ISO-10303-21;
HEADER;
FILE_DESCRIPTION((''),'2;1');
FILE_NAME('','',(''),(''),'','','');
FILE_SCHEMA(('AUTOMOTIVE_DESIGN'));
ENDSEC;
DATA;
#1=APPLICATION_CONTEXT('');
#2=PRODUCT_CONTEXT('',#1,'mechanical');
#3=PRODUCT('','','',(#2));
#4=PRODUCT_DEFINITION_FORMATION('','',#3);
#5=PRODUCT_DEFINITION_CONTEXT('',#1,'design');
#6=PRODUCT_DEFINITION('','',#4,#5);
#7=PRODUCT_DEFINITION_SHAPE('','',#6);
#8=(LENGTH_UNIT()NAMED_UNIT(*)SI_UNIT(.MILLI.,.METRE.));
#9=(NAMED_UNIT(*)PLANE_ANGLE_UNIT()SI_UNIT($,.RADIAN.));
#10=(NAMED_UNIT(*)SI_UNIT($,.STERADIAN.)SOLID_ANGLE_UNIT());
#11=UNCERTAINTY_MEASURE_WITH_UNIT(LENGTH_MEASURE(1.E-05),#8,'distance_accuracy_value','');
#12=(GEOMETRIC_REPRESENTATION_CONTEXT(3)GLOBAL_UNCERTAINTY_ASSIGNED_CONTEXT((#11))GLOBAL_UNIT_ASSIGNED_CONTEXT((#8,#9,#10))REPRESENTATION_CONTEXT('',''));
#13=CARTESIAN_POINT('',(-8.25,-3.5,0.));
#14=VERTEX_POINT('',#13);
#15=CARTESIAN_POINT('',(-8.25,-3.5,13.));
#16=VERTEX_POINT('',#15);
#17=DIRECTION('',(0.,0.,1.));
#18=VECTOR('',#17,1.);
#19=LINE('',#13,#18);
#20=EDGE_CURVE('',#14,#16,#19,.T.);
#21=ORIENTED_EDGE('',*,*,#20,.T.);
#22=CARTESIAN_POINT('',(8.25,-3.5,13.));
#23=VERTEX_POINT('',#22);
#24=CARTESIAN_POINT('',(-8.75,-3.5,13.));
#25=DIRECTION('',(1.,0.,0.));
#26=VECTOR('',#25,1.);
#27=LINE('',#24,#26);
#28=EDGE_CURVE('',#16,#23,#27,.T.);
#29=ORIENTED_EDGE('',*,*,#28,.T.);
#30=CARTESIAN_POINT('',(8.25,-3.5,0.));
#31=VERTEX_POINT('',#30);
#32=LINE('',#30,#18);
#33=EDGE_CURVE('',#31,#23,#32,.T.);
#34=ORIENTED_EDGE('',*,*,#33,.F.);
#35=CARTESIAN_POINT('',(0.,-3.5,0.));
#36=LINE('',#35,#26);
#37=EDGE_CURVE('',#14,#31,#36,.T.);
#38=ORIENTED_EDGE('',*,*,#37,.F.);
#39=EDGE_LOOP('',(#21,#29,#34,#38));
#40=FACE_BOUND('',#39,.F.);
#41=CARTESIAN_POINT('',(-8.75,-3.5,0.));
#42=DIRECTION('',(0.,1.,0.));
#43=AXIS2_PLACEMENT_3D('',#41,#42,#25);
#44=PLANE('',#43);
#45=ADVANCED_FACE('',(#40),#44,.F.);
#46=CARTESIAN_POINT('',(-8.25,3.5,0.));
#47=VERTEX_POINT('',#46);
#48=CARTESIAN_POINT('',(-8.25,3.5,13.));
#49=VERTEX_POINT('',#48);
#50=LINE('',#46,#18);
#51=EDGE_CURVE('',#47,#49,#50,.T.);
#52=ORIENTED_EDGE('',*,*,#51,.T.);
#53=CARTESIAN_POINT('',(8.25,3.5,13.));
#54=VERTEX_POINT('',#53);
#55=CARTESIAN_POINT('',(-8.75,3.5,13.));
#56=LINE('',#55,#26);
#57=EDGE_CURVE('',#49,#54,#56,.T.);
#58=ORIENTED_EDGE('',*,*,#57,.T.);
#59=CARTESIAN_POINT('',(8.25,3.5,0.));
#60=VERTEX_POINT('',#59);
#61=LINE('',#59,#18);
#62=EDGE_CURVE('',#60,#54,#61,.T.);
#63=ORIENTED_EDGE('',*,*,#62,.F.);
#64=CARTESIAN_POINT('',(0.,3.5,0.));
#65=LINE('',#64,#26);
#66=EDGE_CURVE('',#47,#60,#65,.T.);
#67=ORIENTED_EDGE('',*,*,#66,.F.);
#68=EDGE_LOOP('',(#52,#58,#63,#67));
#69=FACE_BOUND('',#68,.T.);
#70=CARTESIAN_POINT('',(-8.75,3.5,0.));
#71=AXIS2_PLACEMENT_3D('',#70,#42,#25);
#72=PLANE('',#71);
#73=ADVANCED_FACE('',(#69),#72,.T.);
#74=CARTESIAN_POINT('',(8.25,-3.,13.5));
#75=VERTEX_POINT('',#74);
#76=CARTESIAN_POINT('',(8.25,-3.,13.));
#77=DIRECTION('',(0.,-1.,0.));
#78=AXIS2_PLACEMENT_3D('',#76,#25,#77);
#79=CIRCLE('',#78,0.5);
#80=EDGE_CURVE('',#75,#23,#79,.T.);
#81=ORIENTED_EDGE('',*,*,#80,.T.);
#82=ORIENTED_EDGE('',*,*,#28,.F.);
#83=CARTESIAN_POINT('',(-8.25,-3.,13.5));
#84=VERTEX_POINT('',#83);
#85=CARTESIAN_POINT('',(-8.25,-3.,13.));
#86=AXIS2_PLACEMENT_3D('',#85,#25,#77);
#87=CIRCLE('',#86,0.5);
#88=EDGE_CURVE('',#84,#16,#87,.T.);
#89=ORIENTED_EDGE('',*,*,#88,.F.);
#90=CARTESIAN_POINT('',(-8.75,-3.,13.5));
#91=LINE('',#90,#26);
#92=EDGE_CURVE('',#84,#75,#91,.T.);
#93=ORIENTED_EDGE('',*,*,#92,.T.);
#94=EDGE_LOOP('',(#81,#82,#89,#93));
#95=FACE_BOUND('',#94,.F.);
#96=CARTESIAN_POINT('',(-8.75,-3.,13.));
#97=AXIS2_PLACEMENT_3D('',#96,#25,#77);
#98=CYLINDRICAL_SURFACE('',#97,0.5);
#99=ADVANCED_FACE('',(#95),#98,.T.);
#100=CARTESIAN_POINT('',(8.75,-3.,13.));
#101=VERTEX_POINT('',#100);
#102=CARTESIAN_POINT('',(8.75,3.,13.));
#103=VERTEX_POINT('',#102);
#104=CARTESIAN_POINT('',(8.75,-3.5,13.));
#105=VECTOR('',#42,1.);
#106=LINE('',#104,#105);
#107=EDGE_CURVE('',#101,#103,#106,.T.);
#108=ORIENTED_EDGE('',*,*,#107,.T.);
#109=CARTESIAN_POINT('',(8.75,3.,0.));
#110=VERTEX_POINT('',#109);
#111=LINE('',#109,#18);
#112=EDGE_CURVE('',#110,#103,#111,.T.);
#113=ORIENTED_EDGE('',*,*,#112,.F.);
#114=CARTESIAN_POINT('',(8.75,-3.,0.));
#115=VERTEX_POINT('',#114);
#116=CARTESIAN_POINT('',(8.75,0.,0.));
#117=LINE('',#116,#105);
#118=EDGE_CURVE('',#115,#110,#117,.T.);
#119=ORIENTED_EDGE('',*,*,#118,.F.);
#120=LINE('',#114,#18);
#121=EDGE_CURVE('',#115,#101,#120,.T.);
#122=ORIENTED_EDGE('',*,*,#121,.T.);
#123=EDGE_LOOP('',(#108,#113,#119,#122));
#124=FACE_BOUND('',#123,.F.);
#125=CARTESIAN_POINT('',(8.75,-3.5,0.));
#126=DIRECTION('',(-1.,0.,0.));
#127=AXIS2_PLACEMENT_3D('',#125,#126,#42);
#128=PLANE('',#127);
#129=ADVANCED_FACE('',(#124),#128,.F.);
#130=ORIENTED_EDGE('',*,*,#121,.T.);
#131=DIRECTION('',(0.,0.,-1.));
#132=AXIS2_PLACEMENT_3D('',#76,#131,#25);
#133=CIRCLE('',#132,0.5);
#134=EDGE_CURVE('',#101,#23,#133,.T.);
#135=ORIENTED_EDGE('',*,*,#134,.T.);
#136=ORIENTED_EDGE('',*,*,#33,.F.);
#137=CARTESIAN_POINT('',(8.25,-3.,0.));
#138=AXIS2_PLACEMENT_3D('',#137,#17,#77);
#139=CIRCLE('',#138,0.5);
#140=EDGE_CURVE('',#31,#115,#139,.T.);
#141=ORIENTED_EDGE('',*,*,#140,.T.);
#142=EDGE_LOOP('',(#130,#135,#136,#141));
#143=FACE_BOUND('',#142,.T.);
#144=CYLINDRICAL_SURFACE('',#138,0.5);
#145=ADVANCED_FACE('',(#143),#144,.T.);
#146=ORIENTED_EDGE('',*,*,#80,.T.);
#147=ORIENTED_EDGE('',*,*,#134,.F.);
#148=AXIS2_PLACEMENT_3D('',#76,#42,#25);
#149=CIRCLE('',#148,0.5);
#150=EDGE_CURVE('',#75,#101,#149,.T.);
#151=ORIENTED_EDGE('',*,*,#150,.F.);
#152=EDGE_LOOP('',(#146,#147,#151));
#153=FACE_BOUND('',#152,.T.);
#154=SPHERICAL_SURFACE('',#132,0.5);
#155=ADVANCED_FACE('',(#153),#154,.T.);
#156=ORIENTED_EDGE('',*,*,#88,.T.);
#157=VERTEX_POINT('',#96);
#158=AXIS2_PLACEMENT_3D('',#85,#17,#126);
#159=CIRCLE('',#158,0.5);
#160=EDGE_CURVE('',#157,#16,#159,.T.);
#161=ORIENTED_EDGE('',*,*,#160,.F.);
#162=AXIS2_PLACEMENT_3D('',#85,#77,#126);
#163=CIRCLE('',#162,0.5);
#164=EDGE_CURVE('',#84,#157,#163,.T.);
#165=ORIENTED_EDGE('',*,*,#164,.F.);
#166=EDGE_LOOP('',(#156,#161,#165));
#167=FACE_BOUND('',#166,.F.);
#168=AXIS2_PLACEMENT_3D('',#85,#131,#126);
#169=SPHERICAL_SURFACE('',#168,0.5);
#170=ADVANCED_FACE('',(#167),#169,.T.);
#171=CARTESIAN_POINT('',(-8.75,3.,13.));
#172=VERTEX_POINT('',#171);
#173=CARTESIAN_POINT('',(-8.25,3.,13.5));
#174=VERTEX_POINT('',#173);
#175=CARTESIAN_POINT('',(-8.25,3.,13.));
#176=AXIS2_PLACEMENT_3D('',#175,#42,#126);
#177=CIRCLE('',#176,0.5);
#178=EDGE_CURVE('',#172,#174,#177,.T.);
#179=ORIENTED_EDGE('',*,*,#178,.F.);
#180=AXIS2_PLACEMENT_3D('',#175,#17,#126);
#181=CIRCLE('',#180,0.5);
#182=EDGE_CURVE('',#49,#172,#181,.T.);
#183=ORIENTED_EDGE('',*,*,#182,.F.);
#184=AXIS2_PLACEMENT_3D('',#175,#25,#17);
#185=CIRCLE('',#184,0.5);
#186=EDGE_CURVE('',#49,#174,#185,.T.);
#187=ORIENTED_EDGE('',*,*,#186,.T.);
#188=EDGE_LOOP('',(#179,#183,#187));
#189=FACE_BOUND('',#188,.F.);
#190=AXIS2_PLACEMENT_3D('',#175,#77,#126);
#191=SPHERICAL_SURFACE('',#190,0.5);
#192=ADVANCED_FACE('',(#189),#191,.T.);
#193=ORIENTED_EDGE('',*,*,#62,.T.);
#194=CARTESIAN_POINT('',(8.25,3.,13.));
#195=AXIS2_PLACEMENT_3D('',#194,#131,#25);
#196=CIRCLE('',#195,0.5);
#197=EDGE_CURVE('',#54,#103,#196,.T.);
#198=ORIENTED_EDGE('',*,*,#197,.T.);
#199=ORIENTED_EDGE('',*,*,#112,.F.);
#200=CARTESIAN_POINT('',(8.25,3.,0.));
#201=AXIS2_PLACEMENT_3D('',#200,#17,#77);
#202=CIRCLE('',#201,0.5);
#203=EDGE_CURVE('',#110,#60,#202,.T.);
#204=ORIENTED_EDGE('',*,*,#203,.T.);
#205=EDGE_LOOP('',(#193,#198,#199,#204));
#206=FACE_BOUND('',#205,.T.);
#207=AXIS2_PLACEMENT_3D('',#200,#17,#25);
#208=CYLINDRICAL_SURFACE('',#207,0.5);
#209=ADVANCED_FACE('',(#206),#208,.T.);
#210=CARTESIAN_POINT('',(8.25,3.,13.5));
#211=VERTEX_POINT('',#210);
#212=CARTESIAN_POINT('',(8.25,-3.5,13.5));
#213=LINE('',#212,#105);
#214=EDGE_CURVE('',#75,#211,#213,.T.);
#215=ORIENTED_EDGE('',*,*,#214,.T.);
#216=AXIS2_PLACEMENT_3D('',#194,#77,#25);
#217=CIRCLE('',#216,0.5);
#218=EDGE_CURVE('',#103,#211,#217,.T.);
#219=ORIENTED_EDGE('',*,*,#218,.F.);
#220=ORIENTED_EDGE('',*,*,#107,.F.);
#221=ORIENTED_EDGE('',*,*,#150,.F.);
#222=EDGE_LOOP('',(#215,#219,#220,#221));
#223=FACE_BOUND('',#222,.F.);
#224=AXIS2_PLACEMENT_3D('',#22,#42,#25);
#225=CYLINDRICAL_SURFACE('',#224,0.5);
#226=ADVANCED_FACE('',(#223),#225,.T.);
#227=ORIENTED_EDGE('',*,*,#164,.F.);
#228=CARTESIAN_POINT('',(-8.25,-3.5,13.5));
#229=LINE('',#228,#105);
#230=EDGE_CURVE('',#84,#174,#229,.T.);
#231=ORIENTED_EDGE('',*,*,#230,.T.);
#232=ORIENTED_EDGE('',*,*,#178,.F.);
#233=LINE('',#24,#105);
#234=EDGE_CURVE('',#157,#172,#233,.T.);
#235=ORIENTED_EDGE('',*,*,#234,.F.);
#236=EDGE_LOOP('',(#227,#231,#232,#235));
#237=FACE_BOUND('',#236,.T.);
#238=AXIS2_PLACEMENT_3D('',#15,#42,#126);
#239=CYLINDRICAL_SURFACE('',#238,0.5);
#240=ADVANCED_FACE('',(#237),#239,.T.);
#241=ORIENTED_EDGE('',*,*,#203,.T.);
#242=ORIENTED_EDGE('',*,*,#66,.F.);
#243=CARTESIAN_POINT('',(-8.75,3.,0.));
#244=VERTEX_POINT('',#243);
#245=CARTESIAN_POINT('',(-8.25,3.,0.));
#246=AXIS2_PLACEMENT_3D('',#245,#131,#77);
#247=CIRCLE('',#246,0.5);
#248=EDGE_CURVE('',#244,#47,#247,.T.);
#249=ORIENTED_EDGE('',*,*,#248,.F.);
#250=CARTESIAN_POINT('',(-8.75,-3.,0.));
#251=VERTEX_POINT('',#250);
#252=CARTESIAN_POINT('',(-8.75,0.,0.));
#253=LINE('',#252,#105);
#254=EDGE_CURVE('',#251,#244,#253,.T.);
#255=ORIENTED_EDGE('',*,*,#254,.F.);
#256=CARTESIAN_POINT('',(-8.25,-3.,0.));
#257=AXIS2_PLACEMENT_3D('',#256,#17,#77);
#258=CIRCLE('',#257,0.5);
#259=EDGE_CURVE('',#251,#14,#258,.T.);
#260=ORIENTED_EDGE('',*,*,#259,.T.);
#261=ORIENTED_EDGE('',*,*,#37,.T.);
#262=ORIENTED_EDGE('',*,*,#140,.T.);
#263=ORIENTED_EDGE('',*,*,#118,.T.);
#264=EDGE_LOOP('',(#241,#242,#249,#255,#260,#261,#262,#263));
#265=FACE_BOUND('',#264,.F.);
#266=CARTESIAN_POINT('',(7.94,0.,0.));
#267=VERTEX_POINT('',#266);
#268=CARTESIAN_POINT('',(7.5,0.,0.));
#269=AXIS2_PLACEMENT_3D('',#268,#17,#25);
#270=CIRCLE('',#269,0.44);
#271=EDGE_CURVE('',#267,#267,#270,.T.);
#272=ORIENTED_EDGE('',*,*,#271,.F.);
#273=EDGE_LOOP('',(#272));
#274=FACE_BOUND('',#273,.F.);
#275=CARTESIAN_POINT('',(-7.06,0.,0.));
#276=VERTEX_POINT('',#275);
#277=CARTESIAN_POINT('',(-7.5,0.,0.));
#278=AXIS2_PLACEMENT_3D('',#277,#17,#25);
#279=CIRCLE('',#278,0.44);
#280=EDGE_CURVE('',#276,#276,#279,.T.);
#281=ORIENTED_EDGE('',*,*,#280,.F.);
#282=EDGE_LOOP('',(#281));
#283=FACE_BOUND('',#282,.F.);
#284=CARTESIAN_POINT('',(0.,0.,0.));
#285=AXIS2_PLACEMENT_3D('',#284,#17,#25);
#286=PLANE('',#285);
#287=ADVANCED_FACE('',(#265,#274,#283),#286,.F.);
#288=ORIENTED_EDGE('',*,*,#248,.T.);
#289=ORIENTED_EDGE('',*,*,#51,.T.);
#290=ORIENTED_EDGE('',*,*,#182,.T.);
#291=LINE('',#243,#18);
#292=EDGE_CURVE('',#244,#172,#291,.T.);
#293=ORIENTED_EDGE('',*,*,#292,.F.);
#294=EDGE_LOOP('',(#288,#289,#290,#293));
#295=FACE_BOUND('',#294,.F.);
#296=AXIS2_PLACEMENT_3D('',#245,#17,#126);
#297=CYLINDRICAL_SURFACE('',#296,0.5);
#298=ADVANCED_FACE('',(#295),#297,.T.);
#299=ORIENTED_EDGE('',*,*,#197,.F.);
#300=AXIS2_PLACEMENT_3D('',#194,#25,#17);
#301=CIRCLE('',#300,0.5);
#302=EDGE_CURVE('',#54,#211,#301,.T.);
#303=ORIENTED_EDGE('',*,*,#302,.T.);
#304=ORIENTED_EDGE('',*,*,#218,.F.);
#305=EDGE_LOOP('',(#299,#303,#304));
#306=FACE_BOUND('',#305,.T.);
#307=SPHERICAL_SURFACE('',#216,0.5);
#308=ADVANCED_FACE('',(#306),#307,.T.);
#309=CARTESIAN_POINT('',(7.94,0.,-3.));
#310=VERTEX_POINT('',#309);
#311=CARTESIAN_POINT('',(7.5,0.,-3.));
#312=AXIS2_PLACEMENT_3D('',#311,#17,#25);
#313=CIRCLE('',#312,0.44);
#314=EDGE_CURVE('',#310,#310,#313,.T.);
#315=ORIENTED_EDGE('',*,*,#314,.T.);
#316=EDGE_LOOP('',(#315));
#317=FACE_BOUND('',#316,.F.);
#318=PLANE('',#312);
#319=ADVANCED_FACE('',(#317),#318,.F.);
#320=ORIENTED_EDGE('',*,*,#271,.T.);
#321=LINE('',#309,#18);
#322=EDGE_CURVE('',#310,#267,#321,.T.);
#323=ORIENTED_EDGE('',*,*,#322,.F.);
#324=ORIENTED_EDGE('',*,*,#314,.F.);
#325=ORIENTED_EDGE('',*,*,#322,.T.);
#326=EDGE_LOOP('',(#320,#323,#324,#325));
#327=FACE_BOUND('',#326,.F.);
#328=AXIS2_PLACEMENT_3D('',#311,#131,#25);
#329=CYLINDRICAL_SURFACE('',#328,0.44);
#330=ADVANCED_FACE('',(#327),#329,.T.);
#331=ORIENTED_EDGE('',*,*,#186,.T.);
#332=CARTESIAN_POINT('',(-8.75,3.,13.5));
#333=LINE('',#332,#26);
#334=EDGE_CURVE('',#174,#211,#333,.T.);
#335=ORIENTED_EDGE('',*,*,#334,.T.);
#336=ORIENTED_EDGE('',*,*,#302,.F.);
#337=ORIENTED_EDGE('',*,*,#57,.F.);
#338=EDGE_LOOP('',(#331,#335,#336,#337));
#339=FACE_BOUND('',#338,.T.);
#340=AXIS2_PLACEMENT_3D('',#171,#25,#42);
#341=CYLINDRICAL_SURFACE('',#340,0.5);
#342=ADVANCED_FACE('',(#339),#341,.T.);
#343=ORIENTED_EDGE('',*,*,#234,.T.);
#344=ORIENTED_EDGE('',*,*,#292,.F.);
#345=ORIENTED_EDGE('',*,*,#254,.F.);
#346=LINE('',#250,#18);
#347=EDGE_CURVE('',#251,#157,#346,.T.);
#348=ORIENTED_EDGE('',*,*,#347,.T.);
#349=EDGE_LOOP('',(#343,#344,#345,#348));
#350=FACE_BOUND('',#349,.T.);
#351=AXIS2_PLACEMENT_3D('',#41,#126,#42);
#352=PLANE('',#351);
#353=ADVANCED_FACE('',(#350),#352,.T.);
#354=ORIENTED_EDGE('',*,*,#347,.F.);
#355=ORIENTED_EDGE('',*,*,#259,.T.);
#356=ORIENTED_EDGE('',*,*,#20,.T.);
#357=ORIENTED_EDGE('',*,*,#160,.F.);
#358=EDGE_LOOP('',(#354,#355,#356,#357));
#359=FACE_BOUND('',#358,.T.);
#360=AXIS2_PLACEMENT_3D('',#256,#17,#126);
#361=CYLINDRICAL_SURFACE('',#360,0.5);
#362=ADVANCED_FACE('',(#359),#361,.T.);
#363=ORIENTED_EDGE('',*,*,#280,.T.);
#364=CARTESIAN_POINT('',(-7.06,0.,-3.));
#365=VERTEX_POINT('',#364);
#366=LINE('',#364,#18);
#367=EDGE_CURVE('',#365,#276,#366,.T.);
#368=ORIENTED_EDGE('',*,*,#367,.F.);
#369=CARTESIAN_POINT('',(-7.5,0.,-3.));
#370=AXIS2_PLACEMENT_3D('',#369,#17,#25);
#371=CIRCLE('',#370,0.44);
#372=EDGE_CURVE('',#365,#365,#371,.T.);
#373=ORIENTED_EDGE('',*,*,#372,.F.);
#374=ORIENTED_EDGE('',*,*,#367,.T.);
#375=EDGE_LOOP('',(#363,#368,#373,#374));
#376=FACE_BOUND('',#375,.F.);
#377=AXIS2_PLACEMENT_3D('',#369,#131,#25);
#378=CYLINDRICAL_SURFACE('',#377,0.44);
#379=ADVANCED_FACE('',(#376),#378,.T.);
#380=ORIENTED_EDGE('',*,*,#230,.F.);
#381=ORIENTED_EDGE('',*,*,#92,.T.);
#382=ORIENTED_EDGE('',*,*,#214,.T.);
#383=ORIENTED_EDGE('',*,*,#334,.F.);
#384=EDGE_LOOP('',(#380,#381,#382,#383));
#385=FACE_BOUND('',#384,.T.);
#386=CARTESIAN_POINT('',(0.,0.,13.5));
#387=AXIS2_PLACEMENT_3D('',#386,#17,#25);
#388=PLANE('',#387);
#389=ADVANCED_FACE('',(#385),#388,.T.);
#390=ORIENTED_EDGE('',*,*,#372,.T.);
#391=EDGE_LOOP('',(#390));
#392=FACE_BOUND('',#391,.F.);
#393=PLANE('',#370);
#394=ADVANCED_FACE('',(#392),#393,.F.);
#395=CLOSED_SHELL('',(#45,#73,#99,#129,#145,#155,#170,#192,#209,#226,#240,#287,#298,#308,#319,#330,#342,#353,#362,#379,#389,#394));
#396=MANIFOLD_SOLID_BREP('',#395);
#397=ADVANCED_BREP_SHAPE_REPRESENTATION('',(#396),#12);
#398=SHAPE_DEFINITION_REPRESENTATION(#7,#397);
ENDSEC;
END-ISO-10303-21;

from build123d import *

# Parameters (mm, degrees)
CYLINDER001_R     = 0.44
CYLINDER001_DEPTH = 3
CYLINDER_R        = 0.44
CYLINDER_DEPTH    = 3
BOX_W             = 17.5
BOX_H             = 7
BOX_DEPTH         = 13.5
FILLET_R          = 0.5


with BuildPart() as pin2:
    # Cylinder001 → Cylinder001 (new body)
    with BuildSketch(Plane(origin=(7.5, 0, -3), x_dir=(1, 0, 0), z_dir=(0, 0, 1))):
        Circle(CYLINDER001_R)
    extrude(amount=CYLINDER001_DEPTH)


with BuildPart() as pin1:
    # Cylinder → Cylinder (new body)
    with BuildSketch(Plane(origin=(-7.5, 0, -3), x_dir=(1, 0, 0), z_dir=(0, 0, 1))):
        Circle(CYLINDER_R)
    extrude(amount=CYLINDER_DEPTH)


with BuildPart() as caparv1500w80l1750t700h1350:
    # Box → Box (new body)
    with BuildSketch(Plane(origin=(-8.75, -3.5, 0), x_dir=(1, 0, 0), z_dir=(0, 0, 1))):
        with Locations((8.75, 3.5)):
            Rectangle(BOX_W, BOX_H)
    extrude(amount=BOX_DEPTH)

    # Fillet
    fillet_edges = [caparv1500w80l1750t700h1350.edges().sort_by_distance(p)[0] for p in [
        (-8.75, -3.5, 6.75),
        (-8.75, 0, 13.5),
        (-8.75, 3.5, 6.75),
        (8.75, -3.5, 6.75),
        (8.75, 0, 13.5),
        (8.75, 3.5, 6.75),
        (0, -3.5, 13.5),
        (0, 3.5, 13.5),
    ]]
    fillet(fillet_edges, radius=FILLET_R)

    # Fusion: union Pin1
    add(pin1.part)

    # Fusion001: union Pin2
    add(pin2.part)


solid = caparv1500w80l1750t700h1350.part
